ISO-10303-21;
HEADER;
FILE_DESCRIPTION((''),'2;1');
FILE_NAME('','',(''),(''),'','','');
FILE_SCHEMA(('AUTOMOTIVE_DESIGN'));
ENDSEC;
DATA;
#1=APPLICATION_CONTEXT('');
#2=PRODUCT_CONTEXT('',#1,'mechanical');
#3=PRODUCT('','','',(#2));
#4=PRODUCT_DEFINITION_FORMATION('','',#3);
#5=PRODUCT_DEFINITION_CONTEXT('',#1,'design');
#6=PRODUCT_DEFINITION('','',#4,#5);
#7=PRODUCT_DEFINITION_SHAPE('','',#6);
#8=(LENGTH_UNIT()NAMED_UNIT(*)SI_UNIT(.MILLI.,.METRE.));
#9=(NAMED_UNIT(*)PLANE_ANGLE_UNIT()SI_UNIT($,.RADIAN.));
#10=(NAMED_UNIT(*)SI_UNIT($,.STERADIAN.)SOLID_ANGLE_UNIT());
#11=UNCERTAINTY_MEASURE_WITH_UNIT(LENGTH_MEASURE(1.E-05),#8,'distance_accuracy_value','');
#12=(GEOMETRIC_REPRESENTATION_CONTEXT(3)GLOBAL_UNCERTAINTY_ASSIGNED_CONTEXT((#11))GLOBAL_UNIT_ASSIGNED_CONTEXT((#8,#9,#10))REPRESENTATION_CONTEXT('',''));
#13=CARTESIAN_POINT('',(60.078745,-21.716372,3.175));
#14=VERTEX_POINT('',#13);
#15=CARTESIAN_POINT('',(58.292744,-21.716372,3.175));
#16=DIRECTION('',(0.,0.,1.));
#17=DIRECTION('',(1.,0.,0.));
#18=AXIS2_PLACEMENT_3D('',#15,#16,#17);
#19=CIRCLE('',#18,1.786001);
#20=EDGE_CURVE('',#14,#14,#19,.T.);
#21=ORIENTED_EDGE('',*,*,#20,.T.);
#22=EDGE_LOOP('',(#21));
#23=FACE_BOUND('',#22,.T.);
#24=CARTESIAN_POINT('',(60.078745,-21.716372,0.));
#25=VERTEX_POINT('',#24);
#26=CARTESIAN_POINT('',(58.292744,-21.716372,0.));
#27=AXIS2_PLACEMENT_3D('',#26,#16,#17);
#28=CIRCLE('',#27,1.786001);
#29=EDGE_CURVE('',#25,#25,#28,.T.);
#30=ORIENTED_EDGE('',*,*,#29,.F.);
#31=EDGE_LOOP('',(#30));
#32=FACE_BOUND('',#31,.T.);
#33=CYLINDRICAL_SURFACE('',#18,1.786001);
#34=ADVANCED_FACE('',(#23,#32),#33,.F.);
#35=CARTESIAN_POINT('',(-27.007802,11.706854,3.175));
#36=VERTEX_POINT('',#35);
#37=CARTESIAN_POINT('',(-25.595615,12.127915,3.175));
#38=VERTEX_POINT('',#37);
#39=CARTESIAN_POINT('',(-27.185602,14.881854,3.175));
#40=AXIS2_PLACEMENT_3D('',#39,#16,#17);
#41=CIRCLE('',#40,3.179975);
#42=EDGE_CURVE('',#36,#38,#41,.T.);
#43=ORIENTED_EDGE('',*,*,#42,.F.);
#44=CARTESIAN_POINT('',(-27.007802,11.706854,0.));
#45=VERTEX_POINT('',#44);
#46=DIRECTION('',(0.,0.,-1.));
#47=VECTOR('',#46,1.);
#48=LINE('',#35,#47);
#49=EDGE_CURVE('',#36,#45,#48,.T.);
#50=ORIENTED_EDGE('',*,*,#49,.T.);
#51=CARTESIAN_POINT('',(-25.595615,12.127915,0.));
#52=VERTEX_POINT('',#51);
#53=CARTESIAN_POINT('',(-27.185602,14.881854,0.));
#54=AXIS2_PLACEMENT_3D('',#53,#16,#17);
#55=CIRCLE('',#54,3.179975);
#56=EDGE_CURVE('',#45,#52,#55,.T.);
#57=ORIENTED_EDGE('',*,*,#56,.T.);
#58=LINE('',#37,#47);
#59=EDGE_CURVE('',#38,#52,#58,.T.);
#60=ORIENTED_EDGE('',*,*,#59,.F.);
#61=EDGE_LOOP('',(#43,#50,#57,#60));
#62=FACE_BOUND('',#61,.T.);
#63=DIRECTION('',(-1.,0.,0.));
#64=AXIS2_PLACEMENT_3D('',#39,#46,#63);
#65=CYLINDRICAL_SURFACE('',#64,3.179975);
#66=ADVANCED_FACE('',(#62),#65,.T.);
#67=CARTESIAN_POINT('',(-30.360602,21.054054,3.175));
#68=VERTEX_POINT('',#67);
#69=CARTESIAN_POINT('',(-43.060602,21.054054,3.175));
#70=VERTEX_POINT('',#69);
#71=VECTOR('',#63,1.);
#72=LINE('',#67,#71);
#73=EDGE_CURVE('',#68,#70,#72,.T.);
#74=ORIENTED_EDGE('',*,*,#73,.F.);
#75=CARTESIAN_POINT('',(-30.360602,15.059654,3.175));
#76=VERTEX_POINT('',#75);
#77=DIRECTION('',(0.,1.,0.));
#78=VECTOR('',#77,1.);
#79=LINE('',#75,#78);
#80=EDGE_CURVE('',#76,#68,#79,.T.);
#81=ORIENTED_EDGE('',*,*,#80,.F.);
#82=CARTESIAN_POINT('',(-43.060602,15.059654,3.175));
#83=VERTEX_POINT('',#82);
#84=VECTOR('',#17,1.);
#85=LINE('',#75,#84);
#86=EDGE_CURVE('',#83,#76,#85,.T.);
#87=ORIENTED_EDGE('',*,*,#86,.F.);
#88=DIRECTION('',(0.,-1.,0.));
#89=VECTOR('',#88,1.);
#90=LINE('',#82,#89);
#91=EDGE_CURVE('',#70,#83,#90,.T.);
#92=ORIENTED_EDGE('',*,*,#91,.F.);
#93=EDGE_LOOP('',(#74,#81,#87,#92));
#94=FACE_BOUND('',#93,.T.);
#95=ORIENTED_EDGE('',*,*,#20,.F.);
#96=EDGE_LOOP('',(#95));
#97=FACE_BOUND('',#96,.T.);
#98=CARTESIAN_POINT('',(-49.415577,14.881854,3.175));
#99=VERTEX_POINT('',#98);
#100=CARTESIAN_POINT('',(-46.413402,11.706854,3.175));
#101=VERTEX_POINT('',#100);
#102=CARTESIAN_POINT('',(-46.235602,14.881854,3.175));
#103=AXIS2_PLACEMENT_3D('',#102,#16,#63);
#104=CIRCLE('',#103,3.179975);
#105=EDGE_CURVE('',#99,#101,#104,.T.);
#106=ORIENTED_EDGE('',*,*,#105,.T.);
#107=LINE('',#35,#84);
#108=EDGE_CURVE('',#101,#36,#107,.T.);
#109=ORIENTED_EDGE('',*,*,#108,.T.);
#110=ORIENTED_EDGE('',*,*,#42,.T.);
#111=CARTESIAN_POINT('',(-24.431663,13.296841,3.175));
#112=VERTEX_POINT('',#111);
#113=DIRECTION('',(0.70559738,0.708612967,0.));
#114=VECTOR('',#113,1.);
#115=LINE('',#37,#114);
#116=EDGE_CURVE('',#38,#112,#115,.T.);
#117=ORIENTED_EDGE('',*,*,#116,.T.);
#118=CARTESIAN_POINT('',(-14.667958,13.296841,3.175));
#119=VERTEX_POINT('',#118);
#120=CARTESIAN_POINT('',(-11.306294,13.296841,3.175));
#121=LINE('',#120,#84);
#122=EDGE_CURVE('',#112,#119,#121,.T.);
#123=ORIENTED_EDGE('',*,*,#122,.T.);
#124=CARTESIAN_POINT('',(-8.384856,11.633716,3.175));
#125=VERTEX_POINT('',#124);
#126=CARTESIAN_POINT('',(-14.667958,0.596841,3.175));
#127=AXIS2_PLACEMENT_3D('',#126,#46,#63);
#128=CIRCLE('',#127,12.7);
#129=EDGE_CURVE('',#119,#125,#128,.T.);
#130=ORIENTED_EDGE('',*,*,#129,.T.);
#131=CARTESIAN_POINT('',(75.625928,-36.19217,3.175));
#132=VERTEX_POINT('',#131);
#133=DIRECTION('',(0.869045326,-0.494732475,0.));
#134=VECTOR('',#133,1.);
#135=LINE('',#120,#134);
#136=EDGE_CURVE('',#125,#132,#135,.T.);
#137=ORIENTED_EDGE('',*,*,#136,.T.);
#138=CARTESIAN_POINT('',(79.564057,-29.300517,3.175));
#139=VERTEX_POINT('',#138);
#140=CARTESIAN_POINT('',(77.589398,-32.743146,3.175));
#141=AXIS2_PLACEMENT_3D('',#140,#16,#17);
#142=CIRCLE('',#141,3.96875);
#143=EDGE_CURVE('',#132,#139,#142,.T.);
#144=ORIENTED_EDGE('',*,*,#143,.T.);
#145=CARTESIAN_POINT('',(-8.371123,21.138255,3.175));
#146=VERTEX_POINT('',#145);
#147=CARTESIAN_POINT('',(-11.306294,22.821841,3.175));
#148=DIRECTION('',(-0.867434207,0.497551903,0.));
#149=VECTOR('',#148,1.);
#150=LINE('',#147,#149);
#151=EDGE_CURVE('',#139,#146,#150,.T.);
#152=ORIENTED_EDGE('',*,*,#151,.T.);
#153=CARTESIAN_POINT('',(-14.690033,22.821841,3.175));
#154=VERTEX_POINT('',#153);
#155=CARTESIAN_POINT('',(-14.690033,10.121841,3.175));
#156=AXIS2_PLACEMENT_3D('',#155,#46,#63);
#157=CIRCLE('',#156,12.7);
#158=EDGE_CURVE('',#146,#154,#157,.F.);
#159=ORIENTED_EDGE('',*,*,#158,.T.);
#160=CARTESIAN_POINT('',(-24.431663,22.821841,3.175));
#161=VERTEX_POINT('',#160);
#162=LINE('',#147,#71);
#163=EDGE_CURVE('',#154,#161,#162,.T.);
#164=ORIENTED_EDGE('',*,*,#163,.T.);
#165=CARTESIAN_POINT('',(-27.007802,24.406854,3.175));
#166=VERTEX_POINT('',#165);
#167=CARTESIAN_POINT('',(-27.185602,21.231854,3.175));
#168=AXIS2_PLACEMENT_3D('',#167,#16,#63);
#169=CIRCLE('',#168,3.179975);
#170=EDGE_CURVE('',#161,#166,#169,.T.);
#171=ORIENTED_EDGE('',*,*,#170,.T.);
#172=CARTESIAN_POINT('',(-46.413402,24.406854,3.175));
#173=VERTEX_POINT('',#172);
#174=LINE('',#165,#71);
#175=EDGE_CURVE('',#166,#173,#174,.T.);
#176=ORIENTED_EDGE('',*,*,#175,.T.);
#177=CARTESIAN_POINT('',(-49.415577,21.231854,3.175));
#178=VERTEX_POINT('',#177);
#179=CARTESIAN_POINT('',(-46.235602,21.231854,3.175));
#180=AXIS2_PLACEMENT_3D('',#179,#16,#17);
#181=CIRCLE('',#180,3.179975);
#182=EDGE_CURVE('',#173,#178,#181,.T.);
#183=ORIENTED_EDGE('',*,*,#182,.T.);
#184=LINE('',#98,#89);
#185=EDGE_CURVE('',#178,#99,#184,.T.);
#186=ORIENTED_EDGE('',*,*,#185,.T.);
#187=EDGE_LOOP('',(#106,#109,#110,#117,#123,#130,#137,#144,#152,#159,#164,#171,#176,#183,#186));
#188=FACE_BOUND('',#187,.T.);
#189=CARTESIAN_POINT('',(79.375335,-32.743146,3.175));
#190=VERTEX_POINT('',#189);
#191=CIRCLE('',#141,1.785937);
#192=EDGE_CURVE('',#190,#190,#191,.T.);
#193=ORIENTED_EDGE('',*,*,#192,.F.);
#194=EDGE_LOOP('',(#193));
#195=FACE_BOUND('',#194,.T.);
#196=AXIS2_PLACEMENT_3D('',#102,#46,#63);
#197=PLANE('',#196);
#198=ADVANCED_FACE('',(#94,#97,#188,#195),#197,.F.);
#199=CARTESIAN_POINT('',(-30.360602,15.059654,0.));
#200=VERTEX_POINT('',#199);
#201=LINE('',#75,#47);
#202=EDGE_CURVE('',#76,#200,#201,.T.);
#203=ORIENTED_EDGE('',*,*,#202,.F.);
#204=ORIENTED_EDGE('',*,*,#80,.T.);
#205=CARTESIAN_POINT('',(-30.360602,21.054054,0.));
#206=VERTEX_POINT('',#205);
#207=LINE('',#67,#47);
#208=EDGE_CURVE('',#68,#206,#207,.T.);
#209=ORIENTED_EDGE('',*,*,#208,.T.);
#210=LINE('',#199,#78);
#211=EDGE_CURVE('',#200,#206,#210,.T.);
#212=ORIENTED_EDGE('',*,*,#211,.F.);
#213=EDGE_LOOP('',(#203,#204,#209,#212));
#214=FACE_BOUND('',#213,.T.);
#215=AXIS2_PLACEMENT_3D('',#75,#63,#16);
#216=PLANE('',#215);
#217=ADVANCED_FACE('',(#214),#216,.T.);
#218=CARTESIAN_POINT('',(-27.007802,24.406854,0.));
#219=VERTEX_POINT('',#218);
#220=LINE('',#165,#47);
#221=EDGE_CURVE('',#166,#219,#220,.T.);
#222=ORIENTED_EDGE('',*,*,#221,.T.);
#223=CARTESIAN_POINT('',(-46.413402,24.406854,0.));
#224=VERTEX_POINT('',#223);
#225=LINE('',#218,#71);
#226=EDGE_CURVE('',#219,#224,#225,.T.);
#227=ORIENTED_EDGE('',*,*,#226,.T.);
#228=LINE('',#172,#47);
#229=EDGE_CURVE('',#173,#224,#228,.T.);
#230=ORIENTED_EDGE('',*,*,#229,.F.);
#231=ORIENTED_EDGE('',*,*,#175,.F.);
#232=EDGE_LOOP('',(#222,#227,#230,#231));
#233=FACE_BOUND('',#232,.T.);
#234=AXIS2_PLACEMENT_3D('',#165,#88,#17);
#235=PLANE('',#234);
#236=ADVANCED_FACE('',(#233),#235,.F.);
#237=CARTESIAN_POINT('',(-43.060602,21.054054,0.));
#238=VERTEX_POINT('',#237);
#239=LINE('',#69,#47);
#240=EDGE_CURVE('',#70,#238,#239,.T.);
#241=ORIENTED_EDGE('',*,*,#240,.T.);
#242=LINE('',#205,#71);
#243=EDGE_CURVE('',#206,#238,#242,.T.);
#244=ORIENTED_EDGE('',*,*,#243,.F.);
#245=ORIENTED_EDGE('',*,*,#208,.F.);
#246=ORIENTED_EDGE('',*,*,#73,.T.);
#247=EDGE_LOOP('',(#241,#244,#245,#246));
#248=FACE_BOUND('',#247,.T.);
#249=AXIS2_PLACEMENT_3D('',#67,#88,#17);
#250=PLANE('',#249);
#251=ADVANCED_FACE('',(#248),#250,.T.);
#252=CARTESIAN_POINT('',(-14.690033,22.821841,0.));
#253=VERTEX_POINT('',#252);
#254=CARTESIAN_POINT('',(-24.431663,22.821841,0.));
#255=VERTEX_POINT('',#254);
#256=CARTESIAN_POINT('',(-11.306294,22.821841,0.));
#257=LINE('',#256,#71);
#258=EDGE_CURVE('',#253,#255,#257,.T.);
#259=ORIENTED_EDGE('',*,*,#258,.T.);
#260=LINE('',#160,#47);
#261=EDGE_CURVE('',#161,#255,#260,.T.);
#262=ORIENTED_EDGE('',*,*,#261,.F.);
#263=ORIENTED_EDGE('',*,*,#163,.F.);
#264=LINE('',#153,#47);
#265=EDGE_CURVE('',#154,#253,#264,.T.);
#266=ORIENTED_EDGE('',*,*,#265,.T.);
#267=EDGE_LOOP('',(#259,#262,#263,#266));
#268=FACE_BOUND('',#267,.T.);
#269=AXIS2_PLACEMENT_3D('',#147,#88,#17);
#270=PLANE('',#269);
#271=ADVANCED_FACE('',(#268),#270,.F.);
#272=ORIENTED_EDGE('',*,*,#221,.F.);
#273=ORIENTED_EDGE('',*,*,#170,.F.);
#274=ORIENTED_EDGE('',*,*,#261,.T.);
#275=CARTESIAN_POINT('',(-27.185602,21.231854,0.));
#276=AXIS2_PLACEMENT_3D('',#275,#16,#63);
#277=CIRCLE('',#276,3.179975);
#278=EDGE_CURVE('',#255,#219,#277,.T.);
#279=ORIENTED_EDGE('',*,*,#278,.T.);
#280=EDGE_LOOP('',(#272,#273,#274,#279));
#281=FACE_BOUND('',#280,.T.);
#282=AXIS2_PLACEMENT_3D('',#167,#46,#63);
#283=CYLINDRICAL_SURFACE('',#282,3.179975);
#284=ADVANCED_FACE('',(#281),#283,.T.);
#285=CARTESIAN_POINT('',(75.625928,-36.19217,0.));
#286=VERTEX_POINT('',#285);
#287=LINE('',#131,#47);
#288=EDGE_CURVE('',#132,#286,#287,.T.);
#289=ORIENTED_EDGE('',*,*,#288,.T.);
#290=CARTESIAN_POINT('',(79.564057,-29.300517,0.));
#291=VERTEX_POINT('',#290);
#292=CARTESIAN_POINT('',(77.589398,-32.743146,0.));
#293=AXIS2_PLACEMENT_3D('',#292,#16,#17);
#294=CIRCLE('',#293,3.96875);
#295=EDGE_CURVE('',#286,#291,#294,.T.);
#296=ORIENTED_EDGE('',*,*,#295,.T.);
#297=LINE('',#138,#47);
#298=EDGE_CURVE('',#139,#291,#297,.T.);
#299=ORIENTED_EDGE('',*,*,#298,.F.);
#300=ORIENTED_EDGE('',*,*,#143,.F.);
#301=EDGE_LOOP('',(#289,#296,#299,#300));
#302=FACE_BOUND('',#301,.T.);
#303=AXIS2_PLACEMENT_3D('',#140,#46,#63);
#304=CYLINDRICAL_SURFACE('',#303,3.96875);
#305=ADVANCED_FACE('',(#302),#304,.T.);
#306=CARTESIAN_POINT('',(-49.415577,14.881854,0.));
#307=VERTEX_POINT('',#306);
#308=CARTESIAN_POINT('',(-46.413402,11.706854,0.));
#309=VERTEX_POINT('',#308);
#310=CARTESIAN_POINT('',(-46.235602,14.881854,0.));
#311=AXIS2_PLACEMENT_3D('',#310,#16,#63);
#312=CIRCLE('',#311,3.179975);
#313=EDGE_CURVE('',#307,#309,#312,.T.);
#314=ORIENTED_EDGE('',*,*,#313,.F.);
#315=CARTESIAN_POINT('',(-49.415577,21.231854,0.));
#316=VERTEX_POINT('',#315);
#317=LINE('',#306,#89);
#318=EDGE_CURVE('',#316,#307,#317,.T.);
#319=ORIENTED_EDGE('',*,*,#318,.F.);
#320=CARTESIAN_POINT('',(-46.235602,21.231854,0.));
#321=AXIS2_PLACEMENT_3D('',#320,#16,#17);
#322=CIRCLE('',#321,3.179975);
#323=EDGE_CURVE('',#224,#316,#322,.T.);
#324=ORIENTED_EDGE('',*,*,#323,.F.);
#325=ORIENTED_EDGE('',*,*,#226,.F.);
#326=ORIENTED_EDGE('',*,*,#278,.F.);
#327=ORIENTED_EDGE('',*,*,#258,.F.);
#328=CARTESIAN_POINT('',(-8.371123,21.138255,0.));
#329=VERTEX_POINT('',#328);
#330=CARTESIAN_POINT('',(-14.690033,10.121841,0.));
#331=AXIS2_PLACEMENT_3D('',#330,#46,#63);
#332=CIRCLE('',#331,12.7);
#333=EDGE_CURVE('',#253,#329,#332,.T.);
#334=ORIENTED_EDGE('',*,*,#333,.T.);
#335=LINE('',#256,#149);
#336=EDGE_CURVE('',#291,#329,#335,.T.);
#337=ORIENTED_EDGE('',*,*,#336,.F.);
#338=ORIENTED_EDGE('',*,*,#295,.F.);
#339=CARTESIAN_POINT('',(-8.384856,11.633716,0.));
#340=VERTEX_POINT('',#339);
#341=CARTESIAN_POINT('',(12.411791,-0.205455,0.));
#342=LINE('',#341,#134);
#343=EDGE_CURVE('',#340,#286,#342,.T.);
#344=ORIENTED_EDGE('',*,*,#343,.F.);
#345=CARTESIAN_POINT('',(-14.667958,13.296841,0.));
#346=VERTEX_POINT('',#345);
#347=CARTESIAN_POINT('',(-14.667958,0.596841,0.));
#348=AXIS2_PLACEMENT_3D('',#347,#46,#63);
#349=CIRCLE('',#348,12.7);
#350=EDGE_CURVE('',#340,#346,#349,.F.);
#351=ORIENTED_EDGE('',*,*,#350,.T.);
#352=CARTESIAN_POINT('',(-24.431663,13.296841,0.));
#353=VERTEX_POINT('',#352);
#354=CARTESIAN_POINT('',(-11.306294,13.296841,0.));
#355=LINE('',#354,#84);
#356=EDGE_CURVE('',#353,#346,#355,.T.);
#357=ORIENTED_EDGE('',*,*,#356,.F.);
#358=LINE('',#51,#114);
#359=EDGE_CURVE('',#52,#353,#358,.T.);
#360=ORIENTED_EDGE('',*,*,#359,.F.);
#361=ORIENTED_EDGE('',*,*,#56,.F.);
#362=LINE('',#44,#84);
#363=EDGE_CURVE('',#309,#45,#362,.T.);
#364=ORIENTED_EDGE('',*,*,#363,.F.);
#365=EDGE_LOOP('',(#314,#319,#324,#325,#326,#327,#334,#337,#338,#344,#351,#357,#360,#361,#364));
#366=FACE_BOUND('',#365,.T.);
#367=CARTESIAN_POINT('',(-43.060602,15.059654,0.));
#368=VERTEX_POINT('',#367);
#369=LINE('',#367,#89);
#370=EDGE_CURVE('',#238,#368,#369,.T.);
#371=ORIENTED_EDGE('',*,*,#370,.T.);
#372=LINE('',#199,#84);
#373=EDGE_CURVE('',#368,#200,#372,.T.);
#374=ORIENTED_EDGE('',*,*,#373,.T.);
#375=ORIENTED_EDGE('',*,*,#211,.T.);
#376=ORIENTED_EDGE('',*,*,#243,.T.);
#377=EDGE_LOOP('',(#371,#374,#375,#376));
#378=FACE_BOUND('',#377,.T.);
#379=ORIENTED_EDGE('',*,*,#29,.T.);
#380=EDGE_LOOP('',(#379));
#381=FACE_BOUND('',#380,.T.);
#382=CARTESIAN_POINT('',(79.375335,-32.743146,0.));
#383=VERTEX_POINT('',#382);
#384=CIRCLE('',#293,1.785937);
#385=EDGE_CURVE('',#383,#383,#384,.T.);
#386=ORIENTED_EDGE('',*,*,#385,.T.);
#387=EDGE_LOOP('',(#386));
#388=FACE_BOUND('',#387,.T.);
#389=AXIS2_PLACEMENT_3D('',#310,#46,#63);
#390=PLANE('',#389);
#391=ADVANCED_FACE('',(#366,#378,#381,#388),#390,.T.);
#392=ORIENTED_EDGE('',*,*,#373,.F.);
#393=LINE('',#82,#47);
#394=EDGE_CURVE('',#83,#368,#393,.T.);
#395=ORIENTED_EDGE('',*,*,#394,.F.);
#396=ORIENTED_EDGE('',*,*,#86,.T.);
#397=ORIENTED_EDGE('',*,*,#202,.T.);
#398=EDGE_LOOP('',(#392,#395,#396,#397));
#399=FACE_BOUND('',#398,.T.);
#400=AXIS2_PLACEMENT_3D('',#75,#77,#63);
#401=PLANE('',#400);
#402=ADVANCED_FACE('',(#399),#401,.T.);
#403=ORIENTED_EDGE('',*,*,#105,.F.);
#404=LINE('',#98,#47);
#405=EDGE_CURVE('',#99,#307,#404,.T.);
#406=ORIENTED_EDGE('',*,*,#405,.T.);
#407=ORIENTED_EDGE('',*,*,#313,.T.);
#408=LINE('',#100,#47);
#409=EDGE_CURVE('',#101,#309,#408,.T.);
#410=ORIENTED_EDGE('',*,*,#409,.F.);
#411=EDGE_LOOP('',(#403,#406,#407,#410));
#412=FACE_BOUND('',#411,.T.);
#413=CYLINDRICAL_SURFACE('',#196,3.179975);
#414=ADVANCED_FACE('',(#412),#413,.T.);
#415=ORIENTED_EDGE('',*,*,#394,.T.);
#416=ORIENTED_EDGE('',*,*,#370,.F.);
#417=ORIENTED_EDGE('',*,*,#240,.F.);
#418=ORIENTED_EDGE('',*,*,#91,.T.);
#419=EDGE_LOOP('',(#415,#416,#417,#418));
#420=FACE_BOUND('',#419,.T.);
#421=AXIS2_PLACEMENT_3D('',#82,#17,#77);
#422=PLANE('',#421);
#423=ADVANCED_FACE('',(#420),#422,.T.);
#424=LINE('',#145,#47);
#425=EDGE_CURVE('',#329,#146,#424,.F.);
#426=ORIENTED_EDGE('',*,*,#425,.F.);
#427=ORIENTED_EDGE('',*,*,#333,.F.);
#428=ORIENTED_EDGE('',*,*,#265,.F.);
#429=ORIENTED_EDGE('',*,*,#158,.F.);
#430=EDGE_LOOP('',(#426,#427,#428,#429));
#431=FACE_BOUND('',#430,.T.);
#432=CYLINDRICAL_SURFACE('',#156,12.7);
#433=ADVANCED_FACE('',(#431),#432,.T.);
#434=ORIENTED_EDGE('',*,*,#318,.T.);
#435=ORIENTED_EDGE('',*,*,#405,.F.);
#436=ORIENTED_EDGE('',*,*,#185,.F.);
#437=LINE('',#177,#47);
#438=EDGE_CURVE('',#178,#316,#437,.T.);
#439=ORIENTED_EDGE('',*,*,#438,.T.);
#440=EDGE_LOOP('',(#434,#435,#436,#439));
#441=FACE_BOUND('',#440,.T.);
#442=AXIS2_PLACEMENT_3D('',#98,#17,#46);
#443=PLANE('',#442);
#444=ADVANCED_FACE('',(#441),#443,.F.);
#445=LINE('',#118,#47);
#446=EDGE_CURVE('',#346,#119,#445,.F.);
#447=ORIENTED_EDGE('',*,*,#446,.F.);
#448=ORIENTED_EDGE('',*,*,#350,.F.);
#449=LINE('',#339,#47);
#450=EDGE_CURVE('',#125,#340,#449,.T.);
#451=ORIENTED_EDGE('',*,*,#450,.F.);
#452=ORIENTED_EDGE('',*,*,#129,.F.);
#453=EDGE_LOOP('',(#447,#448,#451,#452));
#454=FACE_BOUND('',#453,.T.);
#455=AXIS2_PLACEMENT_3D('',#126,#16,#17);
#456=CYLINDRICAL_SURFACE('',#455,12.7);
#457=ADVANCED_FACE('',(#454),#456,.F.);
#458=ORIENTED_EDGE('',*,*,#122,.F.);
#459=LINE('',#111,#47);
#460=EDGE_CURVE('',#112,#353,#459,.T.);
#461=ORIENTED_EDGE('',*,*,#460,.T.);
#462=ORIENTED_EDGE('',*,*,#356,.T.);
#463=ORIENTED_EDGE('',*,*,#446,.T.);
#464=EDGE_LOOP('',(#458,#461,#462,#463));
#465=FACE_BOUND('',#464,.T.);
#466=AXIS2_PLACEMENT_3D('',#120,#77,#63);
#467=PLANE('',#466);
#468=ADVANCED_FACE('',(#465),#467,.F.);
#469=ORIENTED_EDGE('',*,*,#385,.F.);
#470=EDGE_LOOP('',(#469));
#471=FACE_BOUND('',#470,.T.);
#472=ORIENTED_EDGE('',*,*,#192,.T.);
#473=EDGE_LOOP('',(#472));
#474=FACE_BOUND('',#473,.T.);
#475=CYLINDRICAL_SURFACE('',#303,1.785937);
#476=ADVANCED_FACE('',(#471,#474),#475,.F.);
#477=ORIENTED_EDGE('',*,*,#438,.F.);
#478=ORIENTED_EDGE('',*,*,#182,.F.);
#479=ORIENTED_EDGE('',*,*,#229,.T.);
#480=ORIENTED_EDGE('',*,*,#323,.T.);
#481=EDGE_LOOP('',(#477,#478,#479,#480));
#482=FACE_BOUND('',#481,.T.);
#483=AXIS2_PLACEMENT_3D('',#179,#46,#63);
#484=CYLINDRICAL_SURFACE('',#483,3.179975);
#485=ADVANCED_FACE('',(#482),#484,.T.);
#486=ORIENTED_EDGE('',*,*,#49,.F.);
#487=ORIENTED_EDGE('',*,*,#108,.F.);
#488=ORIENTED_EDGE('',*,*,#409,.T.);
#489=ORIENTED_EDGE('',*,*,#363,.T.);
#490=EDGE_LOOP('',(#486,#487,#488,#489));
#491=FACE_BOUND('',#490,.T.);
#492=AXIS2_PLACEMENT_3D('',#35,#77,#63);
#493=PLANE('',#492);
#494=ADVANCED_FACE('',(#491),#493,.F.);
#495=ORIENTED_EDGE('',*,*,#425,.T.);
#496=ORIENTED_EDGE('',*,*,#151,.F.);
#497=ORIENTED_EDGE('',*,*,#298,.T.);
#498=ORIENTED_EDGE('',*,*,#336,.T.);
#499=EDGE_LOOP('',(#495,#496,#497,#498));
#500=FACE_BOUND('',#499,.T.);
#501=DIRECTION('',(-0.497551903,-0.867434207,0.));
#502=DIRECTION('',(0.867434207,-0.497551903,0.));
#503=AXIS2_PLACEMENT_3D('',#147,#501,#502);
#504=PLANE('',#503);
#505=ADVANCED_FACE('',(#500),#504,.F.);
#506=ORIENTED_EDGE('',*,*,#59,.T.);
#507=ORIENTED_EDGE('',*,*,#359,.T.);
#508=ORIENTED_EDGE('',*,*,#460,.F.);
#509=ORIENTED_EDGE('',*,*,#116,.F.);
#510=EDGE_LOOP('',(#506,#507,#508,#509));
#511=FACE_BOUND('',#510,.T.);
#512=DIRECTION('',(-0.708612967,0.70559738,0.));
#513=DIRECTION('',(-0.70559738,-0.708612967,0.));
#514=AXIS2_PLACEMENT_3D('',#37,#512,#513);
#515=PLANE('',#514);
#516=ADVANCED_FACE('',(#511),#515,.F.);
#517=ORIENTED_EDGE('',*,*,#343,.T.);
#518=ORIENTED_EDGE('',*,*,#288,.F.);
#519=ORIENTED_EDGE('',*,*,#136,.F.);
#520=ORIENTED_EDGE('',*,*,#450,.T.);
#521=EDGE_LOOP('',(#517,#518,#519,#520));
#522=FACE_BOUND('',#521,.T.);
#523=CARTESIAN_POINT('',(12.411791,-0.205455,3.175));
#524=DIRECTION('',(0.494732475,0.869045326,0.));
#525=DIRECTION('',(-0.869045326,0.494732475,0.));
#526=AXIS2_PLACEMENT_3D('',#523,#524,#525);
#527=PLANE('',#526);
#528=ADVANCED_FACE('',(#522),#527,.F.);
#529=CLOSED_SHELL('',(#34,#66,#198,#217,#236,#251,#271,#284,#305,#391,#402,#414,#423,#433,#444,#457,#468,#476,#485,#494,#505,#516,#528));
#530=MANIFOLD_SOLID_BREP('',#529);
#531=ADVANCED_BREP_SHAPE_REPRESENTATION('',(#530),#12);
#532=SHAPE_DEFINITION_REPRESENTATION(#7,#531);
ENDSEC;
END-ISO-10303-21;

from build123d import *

# Parameters (mm, degrees)
SKETCH1_R                       = 1.7859375
SKETCH1_W                       = 12.7
SKETCH1_H                       = 5.9944
BOSS_EXTRUDE1_DEPTH             = 3.175
FILLET2_R                       = 12.7
F_9_64_0_14063_DIAMETER_HOLE1_D = 3.572002


with BuildPart() as part:
    # Sketch1 → Boss-Extrude1 (new body)
    with BuildSketch(Plane.XY):
        with BuildLine():
            Line((-25.595614794, 12.127914856), (-24.431663343, 13.29684081))
            Line((-24.431663343, 13.29684081), (-11.306294, 13.29684081))
            Line((-11.306294, 13.29684081), (6.117359384, 3.377856252))
            Line((6.117359384, 3.377856252), (12.411791243, -0.205454953))
            Line((12.411791243, -0.205454953), (75.625928444, -36.192170077))
            ThreePointArc((75.625928444, -36.192170077), (81.03522907, -34.712213349), (79.564057068, -29.300516931))
            Line((79.564057068, -29.300516931), (-11.306294, 22.82184081))
            Line((-11.306294, 22.82184081), (-24.431663343, 22.82184081))
            ThreePointArc((-24.431663343, 22.82184081), (-25.519216943, 23.940247646), (-27.007802046, 24.406853559))
            Line((-27.007802046, 24.406853559), (-46.413402046, 24.406853559))
            ThreePointArc((-46.413402046, 24.406853559), (-48.546190424, 23.416669154), (-49.415576549, 21.231853559))
            Line((-49.415576549, 21.231853559), (-49.415576549, 14.881853559))
            ThreePointArc((-49.415576549, 14.881853559), (-48.546190424, 12.697037963), (-46.413402046, 11.706853559))
            Line((-46.413402046, 11.706853559), (-27.007802046, 11.706853559))
            ThreePointArc((-27.007802046, 11.706853559), (-26.27698161, 11.834453561), (-25.595614794, 12.127914856))
        make_face()
        with Locations((77.589397954, -32.743146441)):
            Circle(SKETCH1_R, mode=Mode.SUBTRACT)
        with Locations((-36.710602046, 18.056853559)):
            Rectangle(SKETCH1_W, SKETCH1_H, mode=Mode.SUBTRACT)
    extrude(amount=BOSS_EXTRUDE1_DEPTH)

    # Fillet2
    fillet2_edges = [part.edges().sort_by_distance(p)[0] for p in [
        (-11.306294, 22.82184081, 1.5875),
        (-11.306294, 13.29684081, 1.5875),
    ]]
    fillet(fillet2_edges, radius=FILLET2_R)

    # 9/64 (0.14063) Diameter Hole1 (through all)
    with Locations(Plane.XY.offset(3.175)):
        with Locations((58.292743709, -21.716371758)):
            Hole(F_9_64_0_14063_DIAMETER_HOLE1_D / 2)


solid = part.part
